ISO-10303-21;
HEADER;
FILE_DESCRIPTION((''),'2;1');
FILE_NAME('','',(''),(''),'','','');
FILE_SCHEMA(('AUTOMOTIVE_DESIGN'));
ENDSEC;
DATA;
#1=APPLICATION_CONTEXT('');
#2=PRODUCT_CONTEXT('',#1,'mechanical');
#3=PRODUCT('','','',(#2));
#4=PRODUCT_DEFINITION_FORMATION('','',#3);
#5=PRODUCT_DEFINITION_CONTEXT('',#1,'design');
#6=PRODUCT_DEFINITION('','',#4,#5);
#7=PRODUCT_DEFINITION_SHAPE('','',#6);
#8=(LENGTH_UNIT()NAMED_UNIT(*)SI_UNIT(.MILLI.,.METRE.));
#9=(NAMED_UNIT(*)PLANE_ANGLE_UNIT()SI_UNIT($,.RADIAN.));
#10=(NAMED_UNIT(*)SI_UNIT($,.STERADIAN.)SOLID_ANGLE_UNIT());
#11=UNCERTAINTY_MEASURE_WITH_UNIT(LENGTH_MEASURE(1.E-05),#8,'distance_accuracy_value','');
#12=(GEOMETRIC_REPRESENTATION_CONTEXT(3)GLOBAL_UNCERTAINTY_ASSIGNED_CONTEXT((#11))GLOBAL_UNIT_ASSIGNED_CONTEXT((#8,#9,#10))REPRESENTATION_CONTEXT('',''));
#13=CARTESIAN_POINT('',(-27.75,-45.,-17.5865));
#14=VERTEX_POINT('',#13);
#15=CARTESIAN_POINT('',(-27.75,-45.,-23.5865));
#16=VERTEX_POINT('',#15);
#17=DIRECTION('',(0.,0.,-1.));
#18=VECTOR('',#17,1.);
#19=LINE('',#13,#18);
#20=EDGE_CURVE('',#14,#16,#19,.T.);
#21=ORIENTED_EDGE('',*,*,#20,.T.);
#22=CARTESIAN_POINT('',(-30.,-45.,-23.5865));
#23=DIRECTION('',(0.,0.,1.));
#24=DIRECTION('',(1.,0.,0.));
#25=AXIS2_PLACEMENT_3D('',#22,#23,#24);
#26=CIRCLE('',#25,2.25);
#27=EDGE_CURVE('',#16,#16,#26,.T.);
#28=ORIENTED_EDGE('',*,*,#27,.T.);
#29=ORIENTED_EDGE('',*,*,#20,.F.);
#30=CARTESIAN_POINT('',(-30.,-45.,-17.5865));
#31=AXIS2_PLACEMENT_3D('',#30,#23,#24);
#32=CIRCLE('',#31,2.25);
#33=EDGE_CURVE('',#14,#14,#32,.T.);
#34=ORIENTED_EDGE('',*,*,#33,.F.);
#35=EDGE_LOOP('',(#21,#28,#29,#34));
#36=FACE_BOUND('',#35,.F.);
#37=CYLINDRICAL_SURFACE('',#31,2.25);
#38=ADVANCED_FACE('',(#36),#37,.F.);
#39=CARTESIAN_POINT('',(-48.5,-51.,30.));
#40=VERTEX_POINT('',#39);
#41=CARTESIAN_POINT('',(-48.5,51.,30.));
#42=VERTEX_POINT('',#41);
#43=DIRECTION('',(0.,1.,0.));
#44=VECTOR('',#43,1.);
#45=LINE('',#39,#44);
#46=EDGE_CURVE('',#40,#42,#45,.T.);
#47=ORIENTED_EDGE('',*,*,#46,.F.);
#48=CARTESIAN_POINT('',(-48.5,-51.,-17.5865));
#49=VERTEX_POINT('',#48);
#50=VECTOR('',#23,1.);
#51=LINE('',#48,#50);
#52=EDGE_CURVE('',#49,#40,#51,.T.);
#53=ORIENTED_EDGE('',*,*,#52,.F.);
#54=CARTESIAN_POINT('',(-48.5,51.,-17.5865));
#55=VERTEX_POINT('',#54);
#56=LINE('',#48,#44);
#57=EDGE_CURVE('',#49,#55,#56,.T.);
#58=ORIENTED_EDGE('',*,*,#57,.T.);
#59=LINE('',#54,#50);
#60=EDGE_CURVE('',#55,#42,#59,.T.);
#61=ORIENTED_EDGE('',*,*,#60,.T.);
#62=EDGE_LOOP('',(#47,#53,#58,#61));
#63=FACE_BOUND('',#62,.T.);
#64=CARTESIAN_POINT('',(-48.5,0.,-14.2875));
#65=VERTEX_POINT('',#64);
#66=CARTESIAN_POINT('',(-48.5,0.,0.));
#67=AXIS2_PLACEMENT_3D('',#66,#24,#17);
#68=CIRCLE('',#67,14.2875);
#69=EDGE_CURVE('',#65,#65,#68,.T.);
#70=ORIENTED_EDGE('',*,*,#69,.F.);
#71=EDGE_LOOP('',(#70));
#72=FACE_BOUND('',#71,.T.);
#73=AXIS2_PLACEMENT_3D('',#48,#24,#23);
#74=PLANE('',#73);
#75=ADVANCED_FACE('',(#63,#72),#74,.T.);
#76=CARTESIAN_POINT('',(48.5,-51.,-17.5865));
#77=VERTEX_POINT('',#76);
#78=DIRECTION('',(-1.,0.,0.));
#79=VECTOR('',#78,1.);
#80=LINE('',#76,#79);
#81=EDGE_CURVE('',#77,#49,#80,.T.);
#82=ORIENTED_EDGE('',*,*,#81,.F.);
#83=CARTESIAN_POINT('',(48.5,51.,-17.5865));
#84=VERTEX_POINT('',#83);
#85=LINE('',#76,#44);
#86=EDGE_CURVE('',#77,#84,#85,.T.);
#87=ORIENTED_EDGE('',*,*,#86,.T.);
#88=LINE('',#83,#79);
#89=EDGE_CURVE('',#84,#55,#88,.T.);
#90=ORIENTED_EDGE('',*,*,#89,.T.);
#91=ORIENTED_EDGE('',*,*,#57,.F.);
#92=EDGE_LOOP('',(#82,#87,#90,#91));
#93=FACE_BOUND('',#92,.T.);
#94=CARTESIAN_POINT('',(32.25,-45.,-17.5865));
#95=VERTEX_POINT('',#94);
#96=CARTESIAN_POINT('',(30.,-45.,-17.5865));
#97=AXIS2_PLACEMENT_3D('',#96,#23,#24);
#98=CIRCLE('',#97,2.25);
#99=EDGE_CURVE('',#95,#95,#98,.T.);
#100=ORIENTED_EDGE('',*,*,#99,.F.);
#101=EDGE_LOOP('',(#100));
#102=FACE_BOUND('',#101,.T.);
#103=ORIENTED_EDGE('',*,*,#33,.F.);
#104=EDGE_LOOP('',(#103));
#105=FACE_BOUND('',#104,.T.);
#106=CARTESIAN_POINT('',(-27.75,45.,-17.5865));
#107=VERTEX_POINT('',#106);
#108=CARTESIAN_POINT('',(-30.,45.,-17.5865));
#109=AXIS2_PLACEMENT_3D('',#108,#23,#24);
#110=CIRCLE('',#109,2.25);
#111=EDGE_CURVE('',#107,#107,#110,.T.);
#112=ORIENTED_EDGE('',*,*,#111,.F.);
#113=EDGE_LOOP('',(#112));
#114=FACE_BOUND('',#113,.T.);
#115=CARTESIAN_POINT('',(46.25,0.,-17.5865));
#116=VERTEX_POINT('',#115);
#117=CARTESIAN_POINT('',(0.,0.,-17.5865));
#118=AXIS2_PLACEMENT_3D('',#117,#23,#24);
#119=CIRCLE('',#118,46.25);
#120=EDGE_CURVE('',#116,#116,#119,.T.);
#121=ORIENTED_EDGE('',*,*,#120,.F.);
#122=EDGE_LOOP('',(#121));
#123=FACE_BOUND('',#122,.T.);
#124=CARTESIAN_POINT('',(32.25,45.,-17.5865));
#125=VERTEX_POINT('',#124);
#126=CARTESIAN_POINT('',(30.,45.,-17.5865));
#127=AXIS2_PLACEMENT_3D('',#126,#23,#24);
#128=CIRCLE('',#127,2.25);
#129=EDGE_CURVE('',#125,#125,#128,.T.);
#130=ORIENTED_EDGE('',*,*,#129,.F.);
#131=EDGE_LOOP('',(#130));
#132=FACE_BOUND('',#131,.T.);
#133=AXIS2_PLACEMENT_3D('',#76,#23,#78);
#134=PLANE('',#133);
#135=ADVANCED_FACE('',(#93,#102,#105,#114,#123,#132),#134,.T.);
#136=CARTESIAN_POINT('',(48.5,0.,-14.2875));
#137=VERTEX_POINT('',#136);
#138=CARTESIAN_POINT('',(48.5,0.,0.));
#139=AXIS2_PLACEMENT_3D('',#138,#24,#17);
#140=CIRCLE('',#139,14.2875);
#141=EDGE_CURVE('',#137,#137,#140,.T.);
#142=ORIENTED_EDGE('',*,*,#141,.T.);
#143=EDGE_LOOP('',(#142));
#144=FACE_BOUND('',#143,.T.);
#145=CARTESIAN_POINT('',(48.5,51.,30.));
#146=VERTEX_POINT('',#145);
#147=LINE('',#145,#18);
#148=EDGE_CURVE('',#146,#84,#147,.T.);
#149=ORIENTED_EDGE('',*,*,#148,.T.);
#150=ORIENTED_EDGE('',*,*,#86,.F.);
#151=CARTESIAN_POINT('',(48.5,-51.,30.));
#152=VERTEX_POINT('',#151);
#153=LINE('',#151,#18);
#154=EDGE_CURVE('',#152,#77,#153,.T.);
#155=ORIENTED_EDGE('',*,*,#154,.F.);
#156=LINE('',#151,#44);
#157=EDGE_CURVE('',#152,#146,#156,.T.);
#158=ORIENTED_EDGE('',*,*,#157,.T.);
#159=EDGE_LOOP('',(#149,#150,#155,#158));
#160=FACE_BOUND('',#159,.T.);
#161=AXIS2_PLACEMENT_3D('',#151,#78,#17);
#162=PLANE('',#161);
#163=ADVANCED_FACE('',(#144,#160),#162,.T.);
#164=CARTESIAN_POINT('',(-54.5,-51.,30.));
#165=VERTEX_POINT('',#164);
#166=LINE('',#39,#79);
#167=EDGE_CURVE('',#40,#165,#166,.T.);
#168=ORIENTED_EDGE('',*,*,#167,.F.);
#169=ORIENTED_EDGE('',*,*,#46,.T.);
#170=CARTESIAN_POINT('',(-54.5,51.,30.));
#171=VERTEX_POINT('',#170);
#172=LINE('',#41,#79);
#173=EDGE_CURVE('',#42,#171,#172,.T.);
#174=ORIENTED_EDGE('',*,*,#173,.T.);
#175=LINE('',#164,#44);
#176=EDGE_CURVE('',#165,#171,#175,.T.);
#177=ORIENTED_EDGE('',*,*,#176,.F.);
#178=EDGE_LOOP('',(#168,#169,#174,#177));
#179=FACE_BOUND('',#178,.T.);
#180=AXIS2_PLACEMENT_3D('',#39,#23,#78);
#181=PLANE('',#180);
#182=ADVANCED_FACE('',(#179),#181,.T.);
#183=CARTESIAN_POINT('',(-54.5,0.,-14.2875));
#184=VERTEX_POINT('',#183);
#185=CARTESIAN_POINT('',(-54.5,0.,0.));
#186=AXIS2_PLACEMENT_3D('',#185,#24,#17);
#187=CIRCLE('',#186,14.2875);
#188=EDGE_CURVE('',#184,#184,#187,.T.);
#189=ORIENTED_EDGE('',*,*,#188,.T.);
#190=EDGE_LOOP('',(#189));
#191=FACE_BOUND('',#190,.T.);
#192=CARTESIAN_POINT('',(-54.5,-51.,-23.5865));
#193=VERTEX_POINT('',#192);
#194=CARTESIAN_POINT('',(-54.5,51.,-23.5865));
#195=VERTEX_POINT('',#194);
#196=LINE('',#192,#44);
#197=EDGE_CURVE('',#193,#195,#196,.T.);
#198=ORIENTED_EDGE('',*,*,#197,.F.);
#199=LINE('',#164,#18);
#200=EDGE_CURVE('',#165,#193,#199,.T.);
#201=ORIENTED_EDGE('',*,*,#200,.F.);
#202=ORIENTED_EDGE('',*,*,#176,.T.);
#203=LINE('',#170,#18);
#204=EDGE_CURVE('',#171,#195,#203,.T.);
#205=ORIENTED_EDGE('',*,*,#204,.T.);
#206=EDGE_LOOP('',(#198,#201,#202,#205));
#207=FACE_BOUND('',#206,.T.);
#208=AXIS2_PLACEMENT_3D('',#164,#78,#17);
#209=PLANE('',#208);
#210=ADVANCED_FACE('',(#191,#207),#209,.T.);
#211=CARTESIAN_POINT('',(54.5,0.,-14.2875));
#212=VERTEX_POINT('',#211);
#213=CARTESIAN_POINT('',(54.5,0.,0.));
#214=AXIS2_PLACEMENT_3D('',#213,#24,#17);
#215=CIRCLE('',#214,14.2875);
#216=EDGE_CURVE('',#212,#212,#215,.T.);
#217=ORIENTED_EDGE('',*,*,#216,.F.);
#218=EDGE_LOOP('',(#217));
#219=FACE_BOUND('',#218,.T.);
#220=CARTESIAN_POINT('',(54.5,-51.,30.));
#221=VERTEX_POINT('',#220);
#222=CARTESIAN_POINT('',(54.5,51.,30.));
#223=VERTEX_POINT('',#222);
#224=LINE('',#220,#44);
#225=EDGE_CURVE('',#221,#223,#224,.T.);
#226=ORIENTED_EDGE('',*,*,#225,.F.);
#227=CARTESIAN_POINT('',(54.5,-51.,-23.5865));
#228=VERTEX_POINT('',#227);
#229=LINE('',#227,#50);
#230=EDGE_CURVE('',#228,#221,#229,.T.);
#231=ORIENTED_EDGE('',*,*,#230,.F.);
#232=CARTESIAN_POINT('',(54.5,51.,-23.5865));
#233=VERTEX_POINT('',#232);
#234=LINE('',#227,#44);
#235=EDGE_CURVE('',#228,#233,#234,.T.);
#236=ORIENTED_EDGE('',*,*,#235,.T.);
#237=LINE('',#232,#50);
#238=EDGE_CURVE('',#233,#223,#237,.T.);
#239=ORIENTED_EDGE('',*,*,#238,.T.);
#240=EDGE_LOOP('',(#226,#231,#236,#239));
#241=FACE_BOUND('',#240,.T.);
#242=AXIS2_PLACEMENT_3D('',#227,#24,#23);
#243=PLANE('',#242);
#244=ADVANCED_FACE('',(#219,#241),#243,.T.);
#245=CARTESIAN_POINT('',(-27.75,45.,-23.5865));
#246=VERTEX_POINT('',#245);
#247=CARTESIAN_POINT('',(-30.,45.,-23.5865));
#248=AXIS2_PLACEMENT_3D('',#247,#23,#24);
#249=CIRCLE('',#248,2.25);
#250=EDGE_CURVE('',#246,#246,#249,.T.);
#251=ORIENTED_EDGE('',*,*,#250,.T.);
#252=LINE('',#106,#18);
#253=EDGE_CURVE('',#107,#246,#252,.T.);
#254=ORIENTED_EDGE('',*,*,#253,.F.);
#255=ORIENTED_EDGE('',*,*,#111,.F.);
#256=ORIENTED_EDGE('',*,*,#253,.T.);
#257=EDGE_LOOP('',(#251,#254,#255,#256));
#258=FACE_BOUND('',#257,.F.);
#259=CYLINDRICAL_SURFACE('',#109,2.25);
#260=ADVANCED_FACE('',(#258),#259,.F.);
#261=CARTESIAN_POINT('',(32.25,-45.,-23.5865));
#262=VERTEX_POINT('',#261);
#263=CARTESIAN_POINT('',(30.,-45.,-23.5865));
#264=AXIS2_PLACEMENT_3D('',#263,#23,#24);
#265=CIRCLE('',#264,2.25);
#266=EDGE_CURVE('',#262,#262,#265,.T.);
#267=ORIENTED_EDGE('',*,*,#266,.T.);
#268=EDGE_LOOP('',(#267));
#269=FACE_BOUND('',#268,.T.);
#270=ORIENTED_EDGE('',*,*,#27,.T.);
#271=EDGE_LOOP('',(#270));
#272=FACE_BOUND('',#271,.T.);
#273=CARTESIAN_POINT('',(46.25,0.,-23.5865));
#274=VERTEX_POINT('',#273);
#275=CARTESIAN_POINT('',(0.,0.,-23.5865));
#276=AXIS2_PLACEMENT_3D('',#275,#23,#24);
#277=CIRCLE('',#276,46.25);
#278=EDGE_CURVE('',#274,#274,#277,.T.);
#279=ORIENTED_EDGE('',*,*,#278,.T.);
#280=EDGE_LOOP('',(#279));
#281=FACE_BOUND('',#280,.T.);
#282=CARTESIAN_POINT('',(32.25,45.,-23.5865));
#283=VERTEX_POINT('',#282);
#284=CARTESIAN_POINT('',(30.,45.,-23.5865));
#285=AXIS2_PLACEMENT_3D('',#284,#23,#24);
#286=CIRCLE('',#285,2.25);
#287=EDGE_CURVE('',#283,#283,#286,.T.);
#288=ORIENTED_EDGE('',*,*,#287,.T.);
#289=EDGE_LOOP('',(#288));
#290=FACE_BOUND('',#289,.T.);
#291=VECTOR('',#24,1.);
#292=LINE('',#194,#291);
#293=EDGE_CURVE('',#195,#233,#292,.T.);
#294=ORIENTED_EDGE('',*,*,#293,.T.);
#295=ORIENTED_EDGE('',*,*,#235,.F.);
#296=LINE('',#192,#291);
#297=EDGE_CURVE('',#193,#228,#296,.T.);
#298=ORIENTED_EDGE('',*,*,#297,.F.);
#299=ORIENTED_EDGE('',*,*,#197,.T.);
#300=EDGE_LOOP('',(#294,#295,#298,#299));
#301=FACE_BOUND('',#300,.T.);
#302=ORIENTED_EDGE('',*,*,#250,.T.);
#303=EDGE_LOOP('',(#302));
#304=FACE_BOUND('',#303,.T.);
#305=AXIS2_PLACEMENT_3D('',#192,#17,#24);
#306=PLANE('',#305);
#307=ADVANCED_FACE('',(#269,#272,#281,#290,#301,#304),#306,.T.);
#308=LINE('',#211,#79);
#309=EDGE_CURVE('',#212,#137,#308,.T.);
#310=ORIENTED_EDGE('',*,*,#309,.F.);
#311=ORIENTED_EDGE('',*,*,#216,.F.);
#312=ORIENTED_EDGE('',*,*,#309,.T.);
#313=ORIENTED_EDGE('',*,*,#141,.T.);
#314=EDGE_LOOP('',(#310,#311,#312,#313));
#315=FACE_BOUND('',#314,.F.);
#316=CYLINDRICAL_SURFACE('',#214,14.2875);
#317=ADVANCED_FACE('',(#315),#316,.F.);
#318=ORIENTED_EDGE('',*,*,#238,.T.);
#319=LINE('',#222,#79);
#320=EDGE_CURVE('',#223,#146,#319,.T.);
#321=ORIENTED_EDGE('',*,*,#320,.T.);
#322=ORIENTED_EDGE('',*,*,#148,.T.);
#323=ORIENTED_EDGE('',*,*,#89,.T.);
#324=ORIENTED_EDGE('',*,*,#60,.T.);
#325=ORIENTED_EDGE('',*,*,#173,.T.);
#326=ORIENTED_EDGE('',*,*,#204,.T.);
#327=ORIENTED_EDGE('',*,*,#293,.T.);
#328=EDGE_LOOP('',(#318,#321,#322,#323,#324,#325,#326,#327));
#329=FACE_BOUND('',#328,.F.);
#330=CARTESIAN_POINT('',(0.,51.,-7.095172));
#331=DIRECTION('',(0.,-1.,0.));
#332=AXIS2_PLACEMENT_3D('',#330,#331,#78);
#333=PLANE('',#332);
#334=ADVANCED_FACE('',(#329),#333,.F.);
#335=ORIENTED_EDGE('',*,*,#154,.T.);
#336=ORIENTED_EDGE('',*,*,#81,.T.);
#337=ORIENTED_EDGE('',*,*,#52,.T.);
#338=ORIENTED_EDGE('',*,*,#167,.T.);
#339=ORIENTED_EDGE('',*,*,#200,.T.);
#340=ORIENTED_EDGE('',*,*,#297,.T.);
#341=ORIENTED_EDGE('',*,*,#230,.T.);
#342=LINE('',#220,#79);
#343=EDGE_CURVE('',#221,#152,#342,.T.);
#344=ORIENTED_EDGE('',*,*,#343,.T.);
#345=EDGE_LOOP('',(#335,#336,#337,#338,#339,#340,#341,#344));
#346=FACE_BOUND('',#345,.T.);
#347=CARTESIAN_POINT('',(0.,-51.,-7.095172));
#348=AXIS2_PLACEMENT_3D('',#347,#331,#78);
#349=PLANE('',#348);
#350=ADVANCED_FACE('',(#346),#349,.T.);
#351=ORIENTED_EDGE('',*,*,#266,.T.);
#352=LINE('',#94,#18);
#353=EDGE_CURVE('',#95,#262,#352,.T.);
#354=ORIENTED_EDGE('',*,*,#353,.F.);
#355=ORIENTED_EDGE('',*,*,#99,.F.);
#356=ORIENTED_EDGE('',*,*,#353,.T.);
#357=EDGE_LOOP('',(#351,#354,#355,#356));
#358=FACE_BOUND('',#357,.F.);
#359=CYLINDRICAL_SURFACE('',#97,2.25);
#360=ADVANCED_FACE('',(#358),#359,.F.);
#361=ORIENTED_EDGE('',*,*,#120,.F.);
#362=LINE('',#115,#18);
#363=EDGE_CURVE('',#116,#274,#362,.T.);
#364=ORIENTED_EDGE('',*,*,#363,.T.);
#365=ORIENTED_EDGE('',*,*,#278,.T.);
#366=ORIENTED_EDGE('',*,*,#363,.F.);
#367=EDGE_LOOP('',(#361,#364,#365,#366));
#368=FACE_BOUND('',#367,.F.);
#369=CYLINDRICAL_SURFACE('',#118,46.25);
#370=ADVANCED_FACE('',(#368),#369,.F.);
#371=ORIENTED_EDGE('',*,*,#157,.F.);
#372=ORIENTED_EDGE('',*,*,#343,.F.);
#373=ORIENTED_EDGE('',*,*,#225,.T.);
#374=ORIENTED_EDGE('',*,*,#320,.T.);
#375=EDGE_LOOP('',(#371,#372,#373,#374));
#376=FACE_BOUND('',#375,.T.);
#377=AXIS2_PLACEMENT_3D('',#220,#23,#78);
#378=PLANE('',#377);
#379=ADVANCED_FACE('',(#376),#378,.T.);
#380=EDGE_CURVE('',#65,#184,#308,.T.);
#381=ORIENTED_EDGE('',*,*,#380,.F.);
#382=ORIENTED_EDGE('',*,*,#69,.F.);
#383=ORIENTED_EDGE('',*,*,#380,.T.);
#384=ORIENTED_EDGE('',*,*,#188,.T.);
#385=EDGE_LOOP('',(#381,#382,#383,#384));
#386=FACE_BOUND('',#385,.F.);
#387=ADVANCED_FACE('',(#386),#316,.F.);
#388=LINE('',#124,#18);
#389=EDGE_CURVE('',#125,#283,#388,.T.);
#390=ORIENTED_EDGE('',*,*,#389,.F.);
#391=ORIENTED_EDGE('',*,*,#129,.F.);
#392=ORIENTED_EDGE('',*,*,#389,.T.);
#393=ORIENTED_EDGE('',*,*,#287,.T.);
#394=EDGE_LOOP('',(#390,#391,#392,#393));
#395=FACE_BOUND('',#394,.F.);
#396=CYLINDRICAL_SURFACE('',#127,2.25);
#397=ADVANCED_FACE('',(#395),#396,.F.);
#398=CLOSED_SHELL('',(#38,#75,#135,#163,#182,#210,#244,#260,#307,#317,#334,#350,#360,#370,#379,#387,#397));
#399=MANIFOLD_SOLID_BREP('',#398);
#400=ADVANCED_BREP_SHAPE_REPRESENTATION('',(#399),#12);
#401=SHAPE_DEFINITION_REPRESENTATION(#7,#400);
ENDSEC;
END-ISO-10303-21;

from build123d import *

# Parameters (mm, degrees)
BOSS_EXTRUDE2_DEPTH      = 51
BOSS_EXTRUDE2_DEPTH_BACK = 51
SKETCH4_R                = 46.25
SKETCH4_R_2              = 2.25
CUT_EXTRUDE1_DEPTH       = 89.519630491
SKETCH5_R                = 14.2875
CUT_EXTRUDE2_DEPTH       = 125.024191189


with BuildPart() as part:
    # Sketch3 → Boss-Extrude2 (new, two sides: drawn at the far end of the back side and taken through both)
    with BuildSketch(Plane(origin=(0, 0, 0), x_dir=(1, 0, 0), z_dir=(0, 1, 0)).offset(-BOSS_EXTRUDE2_DEPTH_BACK)):
        Polygon((-48.5, -30), (-54.5, -30), (-54.5, 23.5865), (54.5, 23.5865), (54.5, -30), (48.5, -30), (48.5, 17.5865), (-48.5, 17.5865), align=None)
    extrude(amount=BOSS_EXTRUDE2_DEPTH + BOSS_EXTRUDE2_DEPTH_BACK)

    # Sketch4 → Cut-Extrude1 (cut, through all)
    with BuildSketch(Plane.XY.offset(-17.5865)):
        Circle(SKETCH4_R)
        with Locations((-30, 45)):
            Circle(SKETCH4_R_2)
        with Locations((30, 45)):
            Circle(SKETCH4_R_2)
        with Locations((30, -45)):
            Circle(SKETCH4_R_2)
        with Locations((-30, -45)):
            Circle(SKETCH4_R_2)
    extrude(amount=-CUT_EXTRUDE1_DEPTH, mode=Mode.SUBTRACT)

    # Sketch5 → Cut-Extrude2 (cut, through all)
    with BuildSketch(Plane(origin=(54.5, 0, 0), x_dir=(0, 0, -1), z_dir=(1, 0, 0))):
        Circle(SKETCH5_R)
    extrude(amount=-CUT_EXTRUDE2_DEPTH, mode=Mode.SUBTRACT)


solid = part.part
